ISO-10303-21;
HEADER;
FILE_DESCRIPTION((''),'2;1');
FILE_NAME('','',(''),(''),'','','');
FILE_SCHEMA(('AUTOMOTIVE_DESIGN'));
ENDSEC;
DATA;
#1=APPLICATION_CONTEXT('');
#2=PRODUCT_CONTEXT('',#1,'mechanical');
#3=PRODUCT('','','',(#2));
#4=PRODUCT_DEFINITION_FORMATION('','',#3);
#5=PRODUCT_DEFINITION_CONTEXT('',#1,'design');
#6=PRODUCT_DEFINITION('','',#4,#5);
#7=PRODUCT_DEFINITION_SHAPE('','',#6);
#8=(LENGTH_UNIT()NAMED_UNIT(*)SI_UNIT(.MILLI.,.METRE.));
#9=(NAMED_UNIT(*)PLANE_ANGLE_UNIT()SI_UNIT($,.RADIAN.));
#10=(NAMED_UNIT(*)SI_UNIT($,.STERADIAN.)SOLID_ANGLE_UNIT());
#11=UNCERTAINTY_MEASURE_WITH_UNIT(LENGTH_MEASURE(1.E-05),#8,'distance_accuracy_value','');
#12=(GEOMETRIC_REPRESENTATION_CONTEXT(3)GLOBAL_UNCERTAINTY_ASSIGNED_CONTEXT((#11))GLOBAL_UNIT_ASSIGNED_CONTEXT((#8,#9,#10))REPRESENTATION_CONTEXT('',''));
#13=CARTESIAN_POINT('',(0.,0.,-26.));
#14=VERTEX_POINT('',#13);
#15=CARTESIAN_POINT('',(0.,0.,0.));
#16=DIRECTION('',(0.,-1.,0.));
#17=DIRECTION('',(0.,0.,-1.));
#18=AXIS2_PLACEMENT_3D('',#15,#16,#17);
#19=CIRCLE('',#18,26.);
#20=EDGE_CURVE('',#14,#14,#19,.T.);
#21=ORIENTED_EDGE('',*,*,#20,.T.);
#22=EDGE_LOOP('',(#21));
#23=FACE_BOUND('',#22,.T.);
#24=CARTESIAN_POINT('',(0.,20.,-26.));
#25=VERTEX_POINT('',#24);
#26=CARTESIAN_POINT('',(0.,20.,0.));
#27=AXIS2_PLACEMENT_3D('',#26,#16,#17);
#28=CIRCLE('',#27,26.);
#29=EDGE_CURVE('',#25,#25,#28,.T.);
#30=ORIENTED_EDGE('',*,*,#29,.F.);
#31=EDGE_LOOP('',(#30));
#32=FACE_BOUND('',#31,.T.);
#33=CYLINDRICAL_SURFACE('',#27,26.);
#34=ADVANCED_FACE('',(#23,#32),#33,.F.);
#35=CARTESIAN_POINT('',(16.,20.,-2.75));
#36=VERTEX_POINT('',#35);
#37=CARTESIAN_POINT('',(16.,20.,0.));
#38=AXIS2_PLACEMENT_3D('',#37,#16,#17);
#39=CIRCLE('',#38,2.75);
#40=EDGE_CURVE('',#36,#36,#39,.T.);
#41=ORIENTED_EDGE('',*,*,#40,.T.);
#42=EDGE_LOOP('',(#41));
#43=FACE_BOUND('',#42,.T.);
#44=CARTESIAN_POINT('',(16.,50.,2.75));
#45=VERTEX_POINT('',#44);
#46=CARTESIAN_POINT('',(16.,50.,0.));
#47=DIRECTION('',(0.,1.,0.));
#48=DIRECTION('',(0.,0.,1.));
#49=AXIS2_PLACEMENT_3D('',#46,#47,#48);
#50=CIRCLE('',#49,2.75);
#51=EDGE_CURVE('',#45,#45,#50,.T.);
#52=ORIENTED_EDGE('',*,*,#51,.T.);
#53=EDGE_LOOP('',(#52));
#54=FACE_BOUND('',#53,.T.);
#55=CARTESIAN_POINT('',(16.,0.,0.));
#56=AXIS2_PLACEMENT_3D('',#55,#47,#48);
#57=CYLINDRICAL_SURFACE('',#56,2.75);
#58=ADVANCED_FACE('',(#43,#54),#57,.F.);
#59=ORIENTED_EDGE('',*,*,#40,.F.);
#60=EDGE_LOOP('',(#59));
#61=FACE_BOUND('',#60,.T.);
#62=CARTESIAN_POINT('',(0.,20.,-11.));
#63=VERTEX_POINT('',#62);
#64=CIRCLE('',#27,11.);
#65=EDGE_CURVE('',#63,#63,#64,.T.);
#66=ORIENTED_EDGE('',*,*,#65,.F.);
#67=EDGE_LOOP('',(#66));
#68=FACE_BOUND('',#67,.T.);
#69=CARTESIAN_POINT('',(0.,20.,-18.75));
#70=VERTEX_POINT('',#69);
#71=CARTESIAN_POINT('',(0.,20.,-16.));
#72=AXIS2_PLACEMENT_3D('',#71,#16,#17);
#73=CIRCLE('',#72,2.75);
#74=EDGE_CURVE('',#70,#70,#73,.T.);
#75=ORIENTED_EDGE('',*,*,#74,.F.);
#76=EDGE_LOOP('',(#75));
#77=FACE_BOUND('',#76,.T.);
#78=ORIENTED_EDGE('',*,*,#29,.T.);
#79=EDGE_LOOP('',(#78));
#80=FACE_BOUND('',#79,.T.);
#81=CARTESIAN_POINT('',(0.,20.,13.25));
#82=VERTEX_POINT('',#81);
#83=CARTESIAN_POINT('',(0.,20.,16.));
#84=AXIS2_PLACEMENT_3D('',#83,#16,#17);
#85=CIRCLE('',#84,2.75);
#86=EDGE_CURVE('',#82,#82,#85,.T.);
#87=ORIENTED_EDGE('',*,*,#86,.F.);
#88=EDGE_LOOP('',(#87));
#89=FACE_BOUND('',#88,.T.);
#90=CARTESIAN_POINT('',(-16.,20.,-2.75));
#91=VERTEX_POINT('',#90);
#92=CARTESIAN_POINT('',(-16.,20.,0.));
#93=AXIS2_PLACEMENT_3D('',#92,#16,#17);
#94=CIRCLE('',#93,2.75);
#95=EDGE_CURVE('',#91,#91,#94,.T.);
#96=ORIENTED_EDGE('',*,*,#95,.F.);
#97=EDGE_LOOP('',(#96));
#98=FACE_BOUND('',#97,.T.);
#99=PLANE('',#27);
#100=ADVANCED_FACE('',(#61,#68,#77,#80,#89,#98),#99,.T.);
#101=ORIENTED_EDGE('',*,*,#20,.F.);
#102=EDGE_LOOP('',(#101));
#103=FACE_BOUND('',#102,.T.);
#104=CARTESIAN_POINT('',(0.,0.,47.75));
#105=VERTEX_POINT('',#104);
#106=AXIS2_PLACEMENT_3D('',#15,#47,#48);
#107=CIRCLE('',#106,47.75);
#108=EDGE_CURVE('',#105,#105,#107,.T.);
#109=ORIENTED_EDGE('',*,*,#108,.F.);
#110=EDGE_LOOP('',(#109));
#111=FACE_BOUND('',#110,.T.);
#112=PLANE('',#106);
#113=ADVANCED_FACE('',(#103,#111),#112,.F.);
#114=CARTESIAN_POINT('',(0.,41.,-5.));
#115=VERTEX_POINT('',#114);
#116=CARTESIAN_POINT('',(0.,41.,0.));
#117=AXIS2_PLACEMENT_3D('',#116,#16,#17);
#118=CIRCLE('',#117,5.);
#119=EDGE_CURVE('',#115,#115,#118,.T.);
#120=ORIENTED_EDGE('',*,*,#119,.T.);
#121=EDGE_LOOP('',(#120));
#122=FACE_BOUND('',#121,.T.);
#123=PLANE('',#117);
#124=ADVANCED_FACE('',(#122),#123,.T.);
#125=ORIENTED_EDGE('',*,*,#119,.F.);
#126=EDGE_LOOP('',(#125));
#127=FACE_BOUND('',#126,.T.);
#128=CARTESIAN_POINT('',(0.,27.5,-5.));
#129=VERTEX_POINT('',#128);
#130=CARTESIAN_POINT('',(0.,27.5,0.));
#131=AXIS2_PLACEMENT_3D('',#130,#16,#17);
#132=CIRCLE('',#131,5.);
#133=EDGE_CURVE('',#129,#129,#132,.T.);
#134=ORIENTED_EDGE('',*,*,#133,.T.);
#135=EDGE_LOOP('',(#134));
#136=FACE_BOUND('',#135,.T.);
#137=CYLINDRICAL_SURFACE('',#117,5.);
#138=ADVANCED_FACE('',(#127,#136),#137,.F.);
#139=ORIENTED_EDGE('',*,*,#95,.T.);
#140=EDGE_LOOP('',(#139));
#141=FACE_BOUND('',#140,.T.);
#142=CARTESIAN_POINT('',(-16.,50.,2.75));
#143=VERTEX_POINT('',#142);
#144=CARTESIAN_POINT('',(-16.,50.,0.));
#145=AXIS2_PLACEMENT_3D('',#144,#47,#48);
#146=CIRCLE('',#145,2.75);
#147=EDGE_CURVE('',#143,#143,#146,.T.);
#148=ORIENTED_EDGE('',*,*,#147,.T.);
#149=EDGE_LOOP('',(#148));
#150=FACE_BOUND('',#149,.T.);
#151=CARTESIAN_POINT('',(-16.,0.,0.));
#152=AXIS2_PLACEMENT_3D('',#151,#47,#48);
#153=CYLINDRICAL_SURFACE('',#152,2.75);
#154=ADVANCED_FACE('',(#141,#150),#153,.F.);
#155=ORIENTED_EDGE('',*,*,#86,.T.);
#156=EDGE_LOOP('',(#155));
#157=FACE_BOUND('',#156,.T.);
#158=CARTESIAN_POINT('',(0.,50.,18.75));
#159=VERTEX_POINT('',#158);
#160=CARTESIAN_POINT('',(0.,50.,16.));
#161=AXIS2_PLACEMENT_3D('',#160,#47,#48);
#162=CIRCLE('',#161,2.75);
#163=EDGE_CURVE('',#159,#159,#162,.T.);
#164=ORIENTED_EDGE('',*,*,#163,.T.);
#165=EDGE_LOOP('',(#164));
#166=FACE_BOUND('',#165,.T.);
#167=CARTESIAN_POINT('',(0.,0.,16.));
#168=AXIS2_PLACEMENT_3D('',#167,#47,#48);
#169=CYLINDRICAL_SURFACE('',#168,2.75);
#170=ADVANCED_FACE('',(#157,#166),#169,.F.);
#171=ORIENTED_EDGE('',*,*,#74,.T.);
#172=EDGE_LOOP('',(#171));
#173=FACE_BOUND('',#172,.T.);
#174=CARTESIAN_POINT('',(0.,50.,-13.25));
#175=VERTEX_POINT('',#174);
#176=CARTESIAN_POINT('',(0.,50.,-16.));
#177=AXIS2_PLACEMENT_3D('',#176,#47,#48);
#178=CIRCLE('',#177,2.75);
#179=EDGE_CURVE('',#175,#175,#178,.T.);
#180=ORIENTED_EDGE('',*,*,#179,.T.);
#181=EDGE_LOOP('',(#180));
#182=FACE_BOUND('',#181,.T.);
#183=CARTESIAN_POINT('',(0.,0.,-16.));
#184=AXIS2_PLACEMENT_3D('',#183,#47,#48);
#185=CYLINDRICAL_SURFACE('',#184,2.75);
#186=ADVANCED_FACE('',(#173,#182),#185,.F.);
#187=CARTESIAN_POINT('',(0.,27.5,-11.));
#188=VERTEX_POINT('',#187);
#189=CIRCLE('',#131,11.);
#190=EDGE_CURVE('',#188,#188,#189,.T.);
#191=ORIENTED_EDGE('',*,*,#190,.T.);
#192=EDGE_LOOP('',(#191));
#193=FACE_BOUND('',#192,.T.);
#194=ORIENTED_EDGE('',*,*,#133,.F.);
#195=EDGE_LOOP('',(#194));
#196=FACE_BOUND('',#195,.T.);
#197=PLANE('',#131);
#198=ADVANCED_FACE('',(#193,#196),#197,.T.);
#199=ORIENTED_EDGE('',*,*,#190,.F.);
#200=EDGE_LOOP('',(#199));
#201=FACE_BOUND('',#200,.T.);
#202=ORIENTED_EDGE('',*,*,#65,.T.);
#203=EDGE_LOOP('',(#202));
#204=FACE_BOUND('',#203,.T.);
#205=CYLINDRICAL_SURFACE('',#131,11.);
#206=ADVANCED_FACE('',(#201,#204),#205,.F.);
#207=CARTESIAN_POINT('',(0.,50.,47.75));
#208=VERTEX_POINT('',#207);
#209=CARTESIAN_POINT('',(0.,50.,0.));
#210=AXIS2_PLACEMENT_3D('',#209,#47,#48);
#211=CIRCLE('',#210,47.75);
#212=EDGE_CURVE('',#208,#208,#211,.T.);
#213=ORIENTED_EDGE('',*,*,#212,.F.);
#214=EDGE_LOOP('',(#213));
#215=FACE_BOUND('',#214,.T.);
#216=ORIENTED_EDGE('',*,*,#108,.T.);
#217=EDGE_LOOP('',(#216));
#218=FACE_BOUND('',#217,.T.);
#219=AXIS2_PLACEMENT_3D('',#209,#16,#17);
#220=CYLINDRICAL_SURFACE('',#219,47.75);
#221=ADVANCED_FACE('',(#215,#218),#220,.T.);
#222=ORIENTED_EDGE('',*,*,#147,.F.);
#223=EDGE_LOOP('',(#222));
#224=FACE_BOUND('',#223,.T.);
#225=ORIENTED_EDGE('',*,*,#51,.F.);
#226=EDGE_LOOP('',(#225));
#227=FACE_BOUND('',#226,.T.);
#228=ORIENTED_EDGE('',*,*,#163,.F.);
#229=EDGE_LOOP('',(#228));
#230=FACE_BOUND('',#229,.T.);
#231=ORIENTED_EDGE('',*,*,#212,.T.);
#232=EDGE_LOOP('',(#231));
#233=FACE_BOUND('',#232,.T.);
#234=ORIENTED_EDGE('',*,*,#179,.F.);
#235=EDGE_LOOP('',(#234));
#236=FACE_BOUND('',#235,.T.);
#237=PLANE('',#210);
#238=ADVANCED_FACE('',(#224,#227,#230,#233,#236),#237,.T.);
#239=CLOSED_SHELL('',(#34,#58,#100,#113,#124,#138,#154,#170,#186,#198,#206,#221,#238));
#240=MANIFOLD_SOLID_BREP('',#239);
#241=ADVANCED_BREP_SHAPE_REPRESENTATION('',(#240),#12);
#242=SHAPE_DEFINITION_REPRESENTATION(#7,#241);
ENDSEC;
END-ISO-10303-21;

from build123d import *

# Parameters (mm, degrees)
ESQUISSE1_R              = 47.75
BOSS_EXTRU_1_DEPTH       = 50
ESQUISSE2_R              = 26
ENL_V_MAT_EXTRU_1_DEPTH  = 20
ESQUISSE3_R              = 11
ENL_V_MAT_EXTRU_5_DEPTH  = 7.5
ESQUISSE4_R              = 5
ENL_V_MAT_EXTRU_6_DEPTH  = 13.5
ESQUISSE11_R             = 2.75
ENL_V_MAT_EXTRU_11_DEPTH = 85.024549984


with BuildPart() as part:
    # Esquisse1 → Boss.-Extru.1 (new body)
    with BuildSketch(Plane(origin=(0, 0, 0), x_dir=(1, 0, 0), z_dir=(0, 1, 0))):
        with Locations(Location((0, 0, 0), (0, 0, 270))):
            Circle(ESQUISSE1_R)
    extrude(amount=BOSS_EXTRU_1_DEPTH)

    # Esquisse2 → Enlèv. mat.-Extru.1 (cut)
    with BuildSketch(Plane(origin=(0, 0, 0), x_dir=(-1, 0, 0), z_dir=(0, -1, 0))):
        with Locations(Location((0, 0, 0), (0, 0, 90))):
            Circle(ESQUISSE2_R)
    extrude(amount=-ENL_V_MAT_EXTRU_1_DEPTH, mode=Mode.SUBTRACT)

    # Esquisse3 → Enlèv. mat.-Extru.5 (cut)
    with BuildSketch(Plane(origin=(0, 20, 0), x_dir=(-1, 0, 0), z_dir=(0, -1, 0))):
        with Locations(Location((0, 0, 0), (0, 0, 90))):
            Circle(ESQUISSE3_R)
    extrude(amount=-ENL_V_MAT_EXTRU_5_DEPTH, mode=Mode.SUBTRACT)

    # Esquisse4 → Enlèv. mat.-Extru.6 (cut)
    with BuildSketch(Plane(origin=(0, 27.5, 0), x_dir=(-1, 0, 0), z_dir=(0, -1, 0))):
        with Locations(Location((0, 0, 0), (0, 0, 90))):
            Circle(ESQUISSE4_R)
    extrude(amount=-ENL_V_MAT_EXTRU_6_DEPTH, mode=Mode.SUBTRACT)

    # Esquisse11 → Enlèv. mat.-Extru.11 (cut, through all)
    with BuildSketch(Plane(origin=(0, 50, 0), x_dir=(1, 0, 0), z_dir=(0, 1, 0))):
        with Locations(Location((-16, 0, 0), (0, 0, 270))):
            Circle(ESQUISSE11_R)
        with Locations(Location((0, 16, 0), (0, 0, 270))):
            Circle(ESQUISSE11_R)
        with Locations(Location((16, 0, 0), (0, 0, 270))):
            Circle(ESQUISSE11_R)
        with Locations(Location((0, -16, 0), (0, 0, 270))):
            Circle(ESQUISSE11_R)
    extrude(amount=-ENL_V_MAT_EXTRU_11_DEPTH, mode=Mode.SUBTRACT)


solid = part.part
